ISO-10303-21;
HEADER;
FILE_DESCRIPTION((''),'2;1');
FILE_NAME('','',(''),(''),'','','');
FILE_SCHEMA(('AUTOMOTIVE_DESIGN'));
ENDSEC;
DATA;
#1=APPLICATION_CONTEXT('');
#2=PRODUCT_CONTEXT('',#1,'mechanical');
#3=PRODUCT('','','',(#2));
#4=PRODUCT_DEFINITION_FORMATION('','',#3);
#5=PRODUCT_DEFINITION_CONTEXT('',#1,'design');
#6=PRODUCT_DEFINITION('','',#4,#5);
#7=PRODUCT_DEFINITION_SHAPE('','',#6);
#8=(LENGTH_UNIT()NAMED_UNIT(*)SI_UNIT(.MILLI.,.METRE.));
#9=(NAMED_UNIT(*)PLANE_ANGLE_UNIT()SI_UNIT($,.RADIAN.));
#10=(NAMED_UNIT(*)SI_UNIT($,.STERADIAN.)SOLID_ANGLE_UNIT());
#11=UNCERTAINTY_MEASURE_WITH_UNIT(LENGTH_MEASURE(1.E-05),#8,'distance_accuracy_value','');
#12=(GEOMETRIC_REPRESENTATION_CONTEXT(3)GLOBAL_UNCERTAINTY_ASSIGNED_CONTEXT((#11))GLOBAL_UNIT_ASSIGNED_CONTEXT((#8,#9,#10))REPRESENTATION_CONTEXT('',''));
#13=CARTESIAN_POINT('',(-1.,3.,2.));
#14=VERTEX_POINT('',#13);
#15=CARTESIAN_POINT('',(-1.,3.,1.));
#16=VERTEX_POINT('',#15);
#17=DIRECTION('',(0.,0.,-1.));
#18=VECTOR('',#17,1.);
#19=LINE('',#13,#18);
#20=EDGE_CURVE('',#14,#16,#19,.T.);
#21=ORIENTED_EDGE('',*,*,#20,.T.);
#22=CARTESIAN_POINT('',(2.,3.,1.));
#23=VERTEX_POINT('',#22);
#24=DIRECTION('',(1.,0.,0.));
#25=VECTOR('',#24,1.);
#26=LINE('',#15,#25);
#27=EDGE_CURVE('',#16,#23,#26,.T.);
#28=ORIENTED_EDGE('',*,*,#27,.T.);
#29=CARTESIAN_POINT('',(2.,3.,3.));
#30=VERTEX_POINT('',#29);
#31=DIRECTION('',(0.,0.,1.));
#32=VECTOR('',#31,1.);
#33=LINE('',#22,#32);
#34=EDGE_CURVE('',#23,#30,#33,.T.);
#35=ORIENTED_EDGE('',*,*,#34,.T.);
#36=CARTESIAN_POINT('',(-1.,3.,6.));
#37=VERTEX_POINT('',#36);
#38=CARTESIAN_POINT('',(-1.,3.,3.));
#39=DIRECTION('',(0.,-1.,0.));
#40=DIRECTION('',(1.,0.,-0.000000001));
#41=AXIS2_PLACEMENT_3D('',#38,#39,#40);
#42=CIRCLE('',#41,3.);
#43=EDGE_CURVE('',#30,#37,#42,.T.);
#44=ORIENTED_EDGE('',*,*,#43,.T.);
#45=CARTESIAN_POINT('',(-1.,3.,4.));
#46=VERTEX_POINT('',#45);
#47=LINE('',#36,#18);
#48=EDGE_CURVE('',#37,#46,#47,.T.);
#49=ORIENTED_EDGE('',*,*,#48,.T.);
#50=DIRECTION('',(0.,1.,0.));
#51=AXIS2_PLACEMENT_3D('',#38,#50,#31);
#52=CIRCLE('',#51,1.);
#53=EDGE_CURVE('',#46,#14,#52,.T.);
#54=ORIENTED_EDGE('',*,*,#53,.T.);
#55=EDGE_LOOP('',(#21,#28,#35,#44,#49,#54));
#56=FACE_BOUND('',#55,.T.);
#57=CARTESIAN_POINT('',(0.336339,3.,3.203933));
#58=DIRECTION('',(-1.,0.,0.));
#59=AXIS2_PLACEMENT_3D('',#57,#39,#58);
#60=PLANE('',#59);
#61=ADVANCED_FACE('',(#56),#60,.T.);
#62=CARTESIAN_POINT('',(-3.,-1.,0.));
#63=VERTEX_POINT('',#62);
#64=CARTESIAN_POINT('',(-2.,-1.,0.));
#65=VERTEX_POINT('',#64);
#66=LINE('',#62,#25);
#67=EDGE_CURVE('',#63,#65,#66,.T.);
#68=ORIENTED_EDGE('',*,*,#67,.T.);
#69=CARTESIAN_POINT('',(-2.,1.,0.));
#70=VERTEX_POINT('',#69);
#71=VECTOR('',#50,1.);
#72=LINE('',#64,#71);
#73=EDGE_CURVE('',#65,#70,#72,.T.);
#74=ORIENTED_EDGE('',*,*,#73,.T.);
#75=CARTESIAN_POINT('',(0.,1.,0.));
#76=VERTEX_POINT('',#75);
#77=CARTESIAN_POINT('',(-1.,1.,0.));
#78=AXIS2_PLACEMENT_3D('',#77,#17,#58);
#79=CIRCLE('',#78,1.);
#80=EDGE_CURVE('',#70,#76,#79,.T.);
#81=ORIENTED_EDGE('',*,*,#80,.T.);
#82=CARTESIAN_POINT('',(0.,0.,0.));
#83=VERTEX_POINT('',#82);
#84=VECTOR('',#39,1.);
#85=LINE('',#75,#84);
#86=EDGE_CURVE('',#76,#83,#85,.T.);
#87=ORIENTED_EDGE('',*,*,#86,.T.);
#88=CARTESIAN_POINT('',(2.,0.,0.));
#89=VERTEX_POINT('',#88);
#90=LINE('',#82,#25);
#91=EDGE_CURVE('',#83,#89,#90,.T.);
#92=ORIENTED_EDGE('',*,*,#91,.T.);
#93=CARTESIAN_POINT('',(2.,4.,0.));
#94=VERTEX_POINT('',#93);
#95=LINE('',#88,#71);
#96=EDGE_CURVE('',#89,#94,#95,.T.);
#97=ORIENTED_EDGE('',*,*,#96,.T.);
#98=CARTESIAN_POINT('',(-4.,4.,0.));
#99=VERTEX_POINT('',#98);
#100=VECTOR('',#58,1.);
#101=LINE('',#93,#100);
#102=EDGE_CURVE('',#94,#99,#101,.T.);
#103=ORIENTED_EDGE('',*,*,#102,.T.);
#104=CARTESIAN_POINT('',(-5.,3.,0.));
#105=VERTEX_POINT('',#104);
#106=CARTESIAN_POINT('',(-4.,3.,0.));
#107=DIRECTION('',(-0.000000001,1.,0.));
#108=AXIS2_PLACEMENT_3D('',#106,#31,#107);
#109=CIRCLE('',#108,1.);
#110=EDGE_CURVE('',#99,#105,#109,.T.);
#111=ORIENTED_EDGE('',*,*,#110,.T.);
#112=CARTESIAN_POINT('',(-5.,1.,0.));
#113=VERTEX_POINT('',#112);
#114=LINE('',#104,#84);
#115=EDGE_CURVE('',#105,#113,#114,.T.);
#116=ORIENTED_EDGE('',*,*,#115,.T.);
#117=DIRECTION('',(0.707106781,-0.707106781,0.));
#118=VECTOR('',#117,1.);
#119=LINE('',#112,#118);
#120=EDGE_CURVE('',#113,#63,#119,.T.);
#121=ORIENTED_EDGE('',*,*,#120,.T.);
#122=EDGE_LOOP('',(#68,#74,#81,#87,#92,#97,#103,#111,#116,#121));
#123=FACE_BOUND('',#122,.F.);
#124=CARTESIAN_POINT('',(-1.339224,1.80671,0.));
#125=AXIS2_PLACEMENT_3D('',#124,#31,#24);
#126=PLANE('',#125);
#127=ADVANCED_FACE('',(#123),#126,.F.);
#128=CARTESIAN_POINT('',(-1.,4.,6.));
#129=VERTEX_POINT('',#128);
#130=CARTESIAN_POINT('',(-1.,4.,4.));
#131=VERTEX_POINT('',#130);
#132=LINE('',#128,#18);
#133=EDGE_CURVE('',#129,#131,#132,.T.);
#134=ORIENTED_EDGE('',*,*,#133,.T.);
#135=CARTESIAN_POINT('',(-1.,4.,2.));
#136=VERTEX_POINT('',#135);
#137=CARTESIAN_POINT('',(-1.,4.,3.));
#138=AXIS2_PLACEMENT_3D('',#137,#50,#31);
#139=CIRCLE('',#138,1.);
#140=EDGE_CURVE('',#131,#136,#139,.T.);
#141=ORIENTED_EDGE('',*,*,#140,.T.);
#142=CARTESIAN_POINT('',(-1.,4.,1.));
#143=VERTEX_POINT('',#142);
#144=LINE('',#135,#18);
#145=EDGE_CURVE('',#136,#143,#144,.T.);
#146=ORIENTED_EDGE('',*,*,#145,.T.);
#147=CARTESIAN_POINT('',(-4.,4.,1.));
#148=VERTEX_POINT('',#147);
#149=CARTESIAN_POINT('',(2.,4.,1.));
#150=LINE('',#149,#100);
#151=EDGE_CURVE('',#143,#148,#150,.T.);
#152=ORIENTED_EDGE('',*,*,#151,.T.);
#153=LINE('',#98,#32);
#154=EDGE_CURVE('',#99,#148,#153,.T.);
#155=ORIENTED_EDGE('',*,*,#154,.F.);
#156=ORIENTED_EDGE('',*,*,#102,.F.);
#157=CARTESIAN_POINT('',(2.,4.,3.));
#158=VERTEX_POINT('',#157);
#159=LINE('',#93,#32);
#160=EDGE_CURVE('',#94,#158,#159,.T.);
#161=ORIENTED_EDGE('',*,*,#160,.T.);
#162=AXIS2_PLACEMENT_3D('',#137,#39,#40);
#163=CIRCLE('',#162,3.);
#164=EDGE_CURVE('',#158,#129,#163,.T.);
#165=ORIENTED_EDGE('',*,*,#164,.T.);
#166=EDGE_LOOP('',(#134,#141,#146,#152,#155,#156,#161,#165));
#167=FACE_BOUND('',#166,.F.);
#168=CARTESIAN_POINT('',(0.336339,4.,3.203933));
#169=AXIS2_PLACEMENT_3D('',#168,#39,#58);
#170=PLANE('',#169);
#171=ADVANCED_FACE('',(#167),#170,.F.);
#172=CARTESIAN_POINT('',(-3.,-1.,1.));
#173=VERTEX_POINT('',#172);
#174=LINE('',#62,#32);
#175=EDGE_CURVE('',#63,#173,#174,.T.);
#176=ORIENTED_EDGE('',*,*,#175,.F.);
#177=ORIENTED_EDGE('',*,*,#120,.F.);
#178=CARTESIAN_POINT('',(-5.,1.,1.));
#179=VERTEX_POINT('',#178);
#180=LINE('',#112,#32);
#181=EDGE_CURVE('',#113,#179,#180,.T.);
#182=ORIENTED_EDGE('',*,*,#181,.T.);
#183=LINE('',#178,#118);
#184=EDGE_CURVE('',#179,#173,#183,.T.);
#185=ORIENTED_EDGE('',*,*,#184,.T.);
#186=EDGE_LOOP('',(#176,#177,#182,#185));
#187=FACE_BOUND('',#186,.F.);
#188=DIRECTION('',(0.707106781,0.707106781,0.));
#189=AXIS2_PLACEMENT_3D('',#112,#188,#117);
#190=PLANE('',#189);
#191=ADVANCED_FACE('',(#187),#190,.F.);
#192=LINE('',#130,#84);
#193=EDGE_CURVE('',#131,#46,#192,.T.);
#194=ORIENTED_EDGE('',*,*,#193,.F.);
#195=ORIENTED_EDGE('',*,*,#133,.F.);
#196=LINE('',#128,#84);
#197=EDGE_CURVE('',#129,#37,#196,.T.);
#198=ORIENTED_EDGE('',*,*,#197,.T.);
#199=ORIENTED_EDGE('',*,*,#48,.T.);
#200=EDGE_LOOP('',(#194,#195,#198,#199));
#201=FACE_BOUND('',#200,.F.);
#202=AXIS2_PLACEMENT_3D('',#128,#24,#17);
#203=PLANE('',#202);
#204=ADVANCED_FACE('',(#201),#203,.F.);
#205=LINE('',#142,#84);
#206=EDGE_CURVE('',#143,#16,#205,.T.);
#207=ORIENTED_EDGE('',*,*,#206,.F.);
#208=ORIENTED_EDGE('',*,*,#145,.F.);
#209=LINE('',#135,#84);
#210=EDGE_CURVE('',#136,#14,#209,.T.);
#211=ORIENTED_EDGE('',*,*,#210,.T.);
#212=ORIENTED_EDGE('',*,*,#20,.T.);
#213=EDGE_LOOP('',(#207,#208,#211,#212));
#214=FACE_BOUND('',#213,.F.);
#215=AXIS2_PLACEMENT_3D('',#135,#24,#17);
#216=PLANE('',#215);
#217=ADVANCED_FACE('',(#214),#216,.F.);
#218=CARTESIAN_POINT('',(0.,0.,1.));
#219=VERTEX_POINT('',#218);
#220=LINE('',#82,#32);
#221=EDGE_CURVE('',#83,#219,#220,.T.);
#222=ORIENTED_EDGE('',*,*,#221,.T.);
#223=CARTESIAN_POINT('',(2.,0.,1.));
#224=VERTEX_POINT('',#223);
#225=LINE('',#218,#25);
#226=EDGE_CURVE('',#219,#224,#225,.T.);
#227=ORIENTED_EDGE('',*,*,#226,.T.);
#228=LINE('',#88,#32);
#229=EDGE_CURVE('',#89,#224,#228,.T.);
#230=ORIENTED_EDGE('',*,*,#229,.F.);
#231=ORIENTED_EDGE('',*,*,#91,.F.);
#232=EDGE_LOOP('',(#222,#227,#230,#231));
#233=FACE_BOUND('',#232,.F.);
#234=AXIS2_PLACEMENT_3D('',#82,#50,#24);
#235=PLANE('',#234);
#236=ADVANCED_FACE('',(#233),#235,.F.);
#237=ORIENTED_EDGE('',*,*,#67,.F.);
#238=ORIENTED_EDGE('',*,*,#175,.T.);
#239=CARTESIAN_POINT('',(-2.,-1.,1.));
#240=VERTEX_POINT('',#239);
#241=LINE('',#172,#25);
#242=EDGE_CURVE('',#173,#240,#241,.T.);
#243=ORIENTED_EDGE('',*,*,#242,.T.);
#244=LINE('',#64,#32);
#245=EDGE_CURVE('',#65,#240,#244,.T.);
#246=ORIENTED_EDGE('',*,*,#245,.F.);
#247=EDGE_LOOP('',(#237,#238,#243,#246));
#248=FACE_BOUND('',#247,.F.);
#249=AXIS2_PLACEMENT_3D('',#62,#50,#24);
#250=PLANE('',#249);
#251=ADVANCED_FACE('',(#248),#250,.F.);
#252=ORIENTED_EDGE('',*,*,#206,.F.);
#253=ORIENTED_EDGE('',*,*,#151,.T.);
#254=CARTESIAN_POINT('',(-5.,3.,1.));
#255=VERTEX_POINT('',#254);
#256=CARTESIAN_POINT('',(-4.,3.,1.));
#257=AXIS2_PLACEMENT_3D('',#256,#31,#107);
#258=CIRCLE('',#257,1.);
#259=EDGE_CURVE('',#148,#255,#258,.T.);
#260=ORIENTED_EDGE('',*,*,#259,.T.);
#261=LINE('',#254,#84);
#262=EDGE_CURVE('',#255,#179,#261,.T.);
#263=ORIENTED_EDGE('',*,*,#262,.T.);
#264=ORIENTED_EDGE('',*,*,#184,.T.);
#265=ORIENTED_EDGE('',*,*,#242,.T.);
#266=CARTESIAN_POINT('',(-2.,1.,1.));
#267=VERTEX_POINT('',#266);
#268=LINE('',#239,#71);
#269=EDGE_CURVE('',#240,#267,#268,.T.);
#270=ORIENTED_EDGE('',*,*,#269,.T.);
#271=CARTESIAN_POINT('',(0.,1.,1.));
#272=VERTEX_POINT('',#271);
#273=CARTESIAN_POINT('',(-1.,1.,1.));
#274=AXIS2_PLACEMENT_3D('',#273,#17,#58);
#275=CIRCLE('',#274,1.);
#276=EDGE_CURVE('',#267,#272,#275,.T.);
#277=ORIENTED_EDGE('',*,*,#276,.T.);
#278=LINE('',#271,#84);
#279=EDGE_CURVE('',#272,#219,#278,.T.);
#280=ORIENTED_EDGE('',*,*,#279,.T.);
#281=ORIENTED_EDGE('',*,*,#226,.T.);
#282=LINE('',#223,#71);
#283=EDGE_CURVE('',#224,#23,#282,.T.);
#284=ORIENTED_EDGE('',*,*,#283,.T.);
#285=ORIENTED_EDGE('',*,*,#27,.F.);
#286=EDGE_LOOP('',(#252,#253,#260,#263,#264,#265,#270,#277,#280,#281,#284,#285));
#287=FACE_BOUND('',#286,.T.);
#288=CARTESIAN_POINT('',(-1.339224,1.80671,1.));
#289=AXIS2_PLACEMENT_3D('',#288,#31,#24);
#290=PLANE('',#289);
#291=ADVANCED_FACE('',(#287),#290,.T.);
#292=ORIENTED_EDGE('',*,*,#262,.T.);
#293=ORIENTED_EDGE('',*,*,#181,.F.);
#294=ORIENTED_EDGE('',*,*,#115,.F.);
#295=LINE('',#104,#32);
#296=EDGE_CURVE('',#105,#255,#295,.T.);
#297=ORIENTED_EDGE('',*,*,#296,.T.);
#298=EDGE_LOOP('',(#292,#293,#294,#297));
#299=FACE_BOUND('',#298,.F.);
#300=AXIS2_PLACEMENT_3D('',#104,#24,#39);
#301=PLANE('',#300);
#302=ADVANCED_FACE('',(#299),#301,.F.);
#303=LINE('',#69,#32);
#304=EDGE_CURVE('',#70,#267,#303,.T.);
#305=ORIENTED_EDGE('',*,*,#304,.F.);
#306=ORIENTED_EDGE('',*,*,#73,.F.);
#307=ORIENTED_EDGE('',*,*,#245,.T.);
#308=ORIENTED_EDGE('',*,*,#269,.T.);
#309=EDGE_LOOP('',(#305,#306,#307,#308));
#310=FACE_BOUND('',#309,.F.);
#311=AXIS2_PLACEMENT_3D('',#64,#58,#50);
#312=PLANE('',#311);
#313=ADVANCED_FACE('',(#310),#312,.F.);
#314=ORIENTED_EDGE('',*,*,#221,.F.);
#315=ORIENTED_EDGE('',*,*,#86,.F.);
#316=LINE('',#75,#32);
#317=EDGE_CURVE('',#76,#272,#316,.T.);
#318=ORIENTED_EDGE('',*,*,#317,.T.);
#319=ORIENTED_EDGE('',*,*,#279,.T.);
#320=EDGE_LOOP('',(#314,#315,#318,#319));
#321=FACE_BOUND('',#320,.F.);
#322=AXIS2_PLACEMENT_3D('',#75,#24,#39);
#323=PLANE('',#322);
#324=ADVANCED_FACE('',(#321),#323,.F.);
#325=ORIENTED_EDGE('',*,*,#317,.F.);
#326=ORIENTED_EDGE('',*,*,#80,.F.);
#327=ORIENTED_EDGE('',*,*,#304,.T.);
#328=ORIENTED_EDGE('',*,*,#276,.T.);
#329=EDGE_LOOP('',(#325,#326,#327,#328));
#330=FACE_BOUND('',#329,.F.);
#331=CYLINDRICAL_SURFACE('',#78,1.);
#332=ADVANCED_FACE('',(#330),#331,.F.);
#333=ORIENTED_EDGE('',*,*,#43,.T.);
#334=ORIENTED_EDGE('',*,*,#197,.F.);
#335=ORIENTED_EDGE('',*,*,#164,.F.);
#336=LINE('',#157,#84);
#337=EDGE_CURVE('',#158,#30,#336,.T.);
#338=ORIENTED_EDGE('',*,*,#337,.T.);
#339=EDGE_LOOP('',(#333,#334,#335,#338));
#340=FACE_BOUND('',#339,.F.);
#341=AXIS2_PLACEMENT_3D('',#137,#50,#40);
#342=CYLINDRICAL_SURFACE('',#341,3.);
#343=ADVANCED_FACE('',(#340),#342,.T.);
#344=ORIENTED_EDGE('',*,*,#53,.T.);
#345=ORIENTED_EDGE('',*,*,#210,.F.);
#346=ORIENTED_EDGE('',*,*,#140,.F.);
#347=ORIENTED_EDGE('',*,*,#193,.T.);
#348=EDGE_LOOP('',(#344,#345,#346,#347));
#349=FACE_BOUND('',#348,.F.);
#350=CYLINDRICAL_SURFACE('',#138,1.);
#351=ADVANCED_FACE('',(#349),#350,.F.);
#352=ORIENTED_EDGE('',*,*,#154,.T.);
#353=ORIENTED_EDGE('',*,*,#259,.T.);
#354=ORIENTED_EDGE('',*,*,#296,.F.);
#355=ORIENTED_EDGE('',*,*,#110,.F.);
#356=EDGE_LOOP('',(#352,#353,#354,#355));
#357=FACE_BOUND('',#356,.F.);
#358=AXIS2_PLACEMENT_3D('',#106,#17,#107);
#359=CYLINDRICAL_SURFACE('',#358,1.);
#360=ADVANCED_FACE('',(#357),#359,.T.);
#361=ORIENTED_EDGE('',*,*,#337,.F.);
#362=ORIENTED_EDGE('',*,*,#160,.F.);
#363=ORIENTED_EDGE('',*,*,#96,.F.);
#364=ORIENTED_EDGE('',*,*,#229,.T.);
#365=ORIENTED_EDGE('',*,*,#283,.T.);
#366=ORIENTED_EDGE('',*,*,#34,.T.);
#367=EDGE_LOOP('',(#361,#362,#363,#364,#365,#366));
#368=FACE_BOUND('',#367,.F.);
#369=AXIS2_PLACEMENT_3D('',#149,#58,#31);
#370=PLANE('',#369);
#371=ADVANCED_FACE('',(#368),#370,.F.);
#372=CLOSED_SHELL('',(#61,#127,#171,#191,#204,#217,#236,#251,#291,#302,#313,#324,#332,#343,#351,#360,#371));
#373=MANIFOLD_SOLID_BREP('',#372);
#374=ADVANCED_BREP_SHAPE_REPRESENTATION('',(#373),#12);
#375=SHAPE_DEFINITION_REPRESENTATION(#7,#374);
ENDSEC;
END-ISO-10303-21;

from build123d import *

# Parameters (mm, degrees)
BOSS_EXTRUDE1_DEPTH = 1
BOSS_EXTRUDE2_DEPTH = 1


with BuildPart() as part:
    # Sketch1 → Boss-Extrude1 (new body)
    with BuildSketch(Plane.XY):
        with BuildLine():
            Line((0, 0), (2, 0))
            Line((2, 0), (2, 4))
            Line((2, 4), (-4, 4))
            ThreePointArc((-4, 4), (-4.707106781, 3.707106781), (-5, 3))
            Line((-5, 3), (-5, 1))
            Line((-5, 1), (-3, -1))
            Line((-3, -1), (-2, -1))
            Line((-2, -1), (-2, 1))
            ThreePointArc((-2, 1), (-1, 2), (0, 1))
            Line((0, 1), (0, 0))
        make_face()
    extrude(amount=BOSS_EXTRUDE1_DEPTH)

    # Sketch2 → Boss-Extrude2 (add)
    with BuildSketch(Plane(origin=(0, 4, 0), x_dir=(1, 0, 0), z_dir=(0, 1, 0))):
        with BuildLine():
            Line((-1, -1), (2, -1))
            Line((2, -1), (2, -3))
            ThreePointArc((2, -3), (1.121320344, -5.121320344), (-1, -6))
            Line((-1, -6), (-1, -4))
            ThreePointArc((-1, -4), (0, -3), (-1, -2))
            Line((-1, -2), (-1, -1))
        make_face()
    extrude(amount=-BOSS_EXTRUDE2_DEPTH)


solid = part.part
